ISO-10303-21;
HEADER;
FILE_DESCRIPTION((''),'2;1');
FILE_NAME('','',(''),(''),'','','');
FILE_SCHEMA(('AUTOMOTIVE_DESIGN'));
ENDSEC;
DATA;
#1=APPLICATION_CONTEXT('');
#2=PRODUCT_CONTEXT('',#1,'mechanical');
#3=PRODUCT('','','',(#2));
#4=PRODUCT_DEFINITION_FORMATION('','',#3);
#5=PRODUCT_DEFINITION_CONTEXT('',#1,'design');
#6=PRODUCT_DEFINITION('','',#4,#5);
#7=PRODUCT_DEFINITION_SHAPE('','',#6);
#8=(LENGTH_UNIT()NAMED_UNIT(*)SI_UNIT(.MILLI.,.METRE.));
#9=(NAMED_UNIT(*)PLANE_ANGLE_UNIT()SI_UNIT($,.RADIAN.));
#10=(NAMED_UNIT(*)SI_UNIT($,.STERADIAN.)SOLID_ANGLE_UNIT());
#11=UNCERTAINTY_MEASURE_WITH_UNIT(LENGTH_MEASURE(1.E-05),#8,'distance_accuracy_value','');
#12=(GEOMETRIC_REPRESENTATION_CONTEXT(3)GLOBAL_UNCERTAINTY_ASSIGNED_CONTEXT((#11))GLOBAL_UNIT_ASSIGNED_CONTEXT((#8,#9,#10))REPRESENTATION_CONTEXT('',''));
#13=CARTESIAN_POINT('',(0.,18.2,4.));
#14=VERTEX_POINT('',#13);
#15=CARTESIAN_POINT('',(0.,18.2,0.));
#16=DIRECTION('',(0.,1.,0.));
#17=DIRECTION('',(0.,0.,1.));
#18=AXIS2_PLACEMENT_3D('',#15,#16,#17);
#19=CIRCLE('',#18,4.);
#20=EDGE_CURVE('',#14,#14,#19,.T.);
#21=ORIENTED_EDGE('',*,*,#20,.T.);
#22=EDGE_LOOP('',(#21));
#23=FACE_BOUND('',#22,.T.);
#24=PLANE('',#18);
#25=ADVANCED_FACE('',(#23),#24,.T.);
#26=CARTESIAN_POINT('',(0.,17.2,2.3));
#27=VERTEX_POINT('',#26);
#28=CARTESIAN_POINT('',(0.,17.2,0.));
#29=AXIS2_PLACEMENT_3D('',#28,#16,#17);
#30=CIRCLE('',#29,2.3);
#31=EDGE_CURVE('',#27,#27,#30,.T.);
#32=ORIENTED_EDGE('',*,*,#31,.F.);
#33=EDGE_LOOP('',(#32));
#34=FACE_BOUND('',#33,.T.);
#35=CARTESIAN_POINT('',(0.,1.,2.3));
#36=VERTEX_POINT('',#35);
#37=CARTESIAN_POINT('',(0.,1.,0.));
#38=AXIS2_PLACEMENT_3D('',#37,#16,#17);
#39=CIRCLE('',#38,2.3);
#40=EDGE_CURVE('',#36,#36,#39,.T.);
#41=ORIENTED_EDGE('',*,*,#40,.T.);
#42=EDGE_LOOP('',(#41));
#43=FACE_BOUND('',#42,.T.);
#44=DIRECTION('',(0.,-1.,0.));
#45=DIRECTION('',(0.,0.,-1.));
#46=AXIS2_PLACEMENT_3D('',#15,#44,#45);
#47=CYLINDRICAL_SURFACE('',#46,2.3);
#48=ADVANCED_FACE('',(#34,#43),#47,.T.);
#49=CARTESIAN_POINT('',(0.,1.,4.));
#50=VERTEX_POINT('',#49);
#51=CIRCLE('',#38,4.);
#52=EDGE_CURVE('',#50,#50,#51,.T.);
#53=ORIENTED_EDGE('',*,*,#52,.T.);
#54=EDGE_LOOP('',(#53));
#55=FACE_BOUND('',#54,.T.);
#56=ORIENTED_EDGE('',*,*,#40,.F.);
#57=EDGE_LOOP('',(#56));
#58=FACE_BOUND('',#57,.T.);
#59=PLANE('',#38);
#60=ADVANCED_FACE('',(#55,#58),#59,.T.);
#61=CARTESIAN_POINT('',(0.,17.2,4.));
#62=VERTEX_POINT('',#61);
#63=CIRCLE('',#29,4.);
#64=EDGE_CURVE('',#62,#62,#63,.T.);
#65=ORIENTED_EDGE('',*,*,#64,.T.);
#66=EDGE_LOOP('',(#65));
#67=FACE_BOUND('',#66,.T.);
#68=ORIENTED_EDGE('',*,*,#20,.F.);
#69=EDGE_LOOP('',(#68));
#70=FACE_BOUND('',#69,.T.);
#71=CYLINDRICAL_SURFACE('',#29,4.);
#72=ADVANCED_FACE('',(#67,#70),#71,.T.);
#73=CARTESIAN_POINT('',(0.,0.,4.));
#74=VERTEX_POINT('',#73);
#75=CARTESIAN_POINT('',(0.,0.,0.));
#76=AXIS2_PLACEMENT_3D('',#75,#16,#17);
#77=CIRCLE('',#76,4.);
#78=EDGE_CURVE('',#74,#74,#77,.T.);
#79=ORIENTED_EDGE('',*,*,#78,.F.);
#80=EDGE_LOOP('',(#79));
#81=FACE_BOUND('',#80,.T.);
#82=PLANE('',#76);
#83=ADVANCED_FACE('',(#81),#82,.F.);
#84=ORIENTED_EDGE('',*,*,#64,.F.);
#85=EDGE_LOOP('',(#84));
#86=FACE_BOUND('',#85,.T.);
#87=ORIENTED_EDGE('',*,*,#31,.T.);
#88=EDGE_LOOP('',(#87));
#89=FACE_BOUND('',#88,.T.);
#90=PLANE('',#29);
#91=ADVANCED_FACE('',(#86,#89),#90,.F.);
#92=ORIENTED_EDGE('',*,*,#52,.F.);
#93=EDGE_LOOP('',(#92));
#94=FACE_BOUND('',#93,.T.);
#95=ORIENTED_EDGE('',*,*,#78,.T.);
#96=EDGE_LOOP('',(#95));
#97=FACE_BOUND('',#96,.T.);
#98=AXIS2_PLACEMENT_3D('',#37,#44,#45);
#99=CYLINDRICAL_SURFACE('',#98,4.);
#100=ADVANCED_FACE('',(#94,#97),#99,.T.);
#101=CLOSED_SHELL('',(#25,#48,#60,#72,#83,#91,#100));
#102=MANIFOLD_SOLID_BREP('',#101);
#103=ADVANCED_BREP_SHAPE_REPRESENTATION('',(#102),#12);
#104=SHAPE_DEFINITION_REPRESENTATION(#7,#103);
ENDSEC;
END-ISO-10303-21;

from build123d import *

# Parameters (mm, degrees)
SKETCH1_R           = 2.3
BOSS_EXTRUDE1_DEPTH = 18.2
BOSS_EXTRUDE2_START = 9.1
SKETCH2_R           = 4
SKETCH2_R_2         = 2.3
BOSS_EXTRUDE2_DEPTH = 1
BOSS_EXTRUDE3_START = -9.1
SKETCH2_3_R         = 4
SKETCH2_3_R_2       = 2.3
BOSS_EXTRUDE3_DEPTH = 1


with BuildPart() as part:
    # Sketch1 → Boss-Extrude1 (new body)
    with BuildSketch(Plane(origin=(0, 0, 0), x_dir=(1, 0, 0), z_dir=(0, 1, 0))):
        Circle(SKETCH1_R)
    extrude(amount=BOSS_EXTRUDE1_DEPTH)

    # Sketch2 → Boss-Extrude2 (add)
    with BuildSketch(Plane(origin=(0, 9.1, 0), x_dir=(1, 0, 0), z_dir=(0, 1, 0)).offset(BOSS_EXTRUDE2_START)):
        Circle(SKETCH2_R)
        Circle(SKETCH2_R_2, mode=Mode.SUBTRACT)
    extrude(amount=-BOSS_EXTRUDE2_DEPTH)

    # Sketch2<3> → Boss-Extrude3 (add)
    with BuildSketch(Plane(origin=(0, 9.1, 0), x_dir=(1, 0, 0), z_dir=(0, 1, 0)).offset(BOSS_EXTRUDE3_START)):
        Circle(SKETCH2_3_R)
        Circle(SKETCH2_3_R_2, mode=Mode.SUBTRACT)
    extrude(amount=BOSS_EXTRUDE3_DEPTH)


solid = part.part
